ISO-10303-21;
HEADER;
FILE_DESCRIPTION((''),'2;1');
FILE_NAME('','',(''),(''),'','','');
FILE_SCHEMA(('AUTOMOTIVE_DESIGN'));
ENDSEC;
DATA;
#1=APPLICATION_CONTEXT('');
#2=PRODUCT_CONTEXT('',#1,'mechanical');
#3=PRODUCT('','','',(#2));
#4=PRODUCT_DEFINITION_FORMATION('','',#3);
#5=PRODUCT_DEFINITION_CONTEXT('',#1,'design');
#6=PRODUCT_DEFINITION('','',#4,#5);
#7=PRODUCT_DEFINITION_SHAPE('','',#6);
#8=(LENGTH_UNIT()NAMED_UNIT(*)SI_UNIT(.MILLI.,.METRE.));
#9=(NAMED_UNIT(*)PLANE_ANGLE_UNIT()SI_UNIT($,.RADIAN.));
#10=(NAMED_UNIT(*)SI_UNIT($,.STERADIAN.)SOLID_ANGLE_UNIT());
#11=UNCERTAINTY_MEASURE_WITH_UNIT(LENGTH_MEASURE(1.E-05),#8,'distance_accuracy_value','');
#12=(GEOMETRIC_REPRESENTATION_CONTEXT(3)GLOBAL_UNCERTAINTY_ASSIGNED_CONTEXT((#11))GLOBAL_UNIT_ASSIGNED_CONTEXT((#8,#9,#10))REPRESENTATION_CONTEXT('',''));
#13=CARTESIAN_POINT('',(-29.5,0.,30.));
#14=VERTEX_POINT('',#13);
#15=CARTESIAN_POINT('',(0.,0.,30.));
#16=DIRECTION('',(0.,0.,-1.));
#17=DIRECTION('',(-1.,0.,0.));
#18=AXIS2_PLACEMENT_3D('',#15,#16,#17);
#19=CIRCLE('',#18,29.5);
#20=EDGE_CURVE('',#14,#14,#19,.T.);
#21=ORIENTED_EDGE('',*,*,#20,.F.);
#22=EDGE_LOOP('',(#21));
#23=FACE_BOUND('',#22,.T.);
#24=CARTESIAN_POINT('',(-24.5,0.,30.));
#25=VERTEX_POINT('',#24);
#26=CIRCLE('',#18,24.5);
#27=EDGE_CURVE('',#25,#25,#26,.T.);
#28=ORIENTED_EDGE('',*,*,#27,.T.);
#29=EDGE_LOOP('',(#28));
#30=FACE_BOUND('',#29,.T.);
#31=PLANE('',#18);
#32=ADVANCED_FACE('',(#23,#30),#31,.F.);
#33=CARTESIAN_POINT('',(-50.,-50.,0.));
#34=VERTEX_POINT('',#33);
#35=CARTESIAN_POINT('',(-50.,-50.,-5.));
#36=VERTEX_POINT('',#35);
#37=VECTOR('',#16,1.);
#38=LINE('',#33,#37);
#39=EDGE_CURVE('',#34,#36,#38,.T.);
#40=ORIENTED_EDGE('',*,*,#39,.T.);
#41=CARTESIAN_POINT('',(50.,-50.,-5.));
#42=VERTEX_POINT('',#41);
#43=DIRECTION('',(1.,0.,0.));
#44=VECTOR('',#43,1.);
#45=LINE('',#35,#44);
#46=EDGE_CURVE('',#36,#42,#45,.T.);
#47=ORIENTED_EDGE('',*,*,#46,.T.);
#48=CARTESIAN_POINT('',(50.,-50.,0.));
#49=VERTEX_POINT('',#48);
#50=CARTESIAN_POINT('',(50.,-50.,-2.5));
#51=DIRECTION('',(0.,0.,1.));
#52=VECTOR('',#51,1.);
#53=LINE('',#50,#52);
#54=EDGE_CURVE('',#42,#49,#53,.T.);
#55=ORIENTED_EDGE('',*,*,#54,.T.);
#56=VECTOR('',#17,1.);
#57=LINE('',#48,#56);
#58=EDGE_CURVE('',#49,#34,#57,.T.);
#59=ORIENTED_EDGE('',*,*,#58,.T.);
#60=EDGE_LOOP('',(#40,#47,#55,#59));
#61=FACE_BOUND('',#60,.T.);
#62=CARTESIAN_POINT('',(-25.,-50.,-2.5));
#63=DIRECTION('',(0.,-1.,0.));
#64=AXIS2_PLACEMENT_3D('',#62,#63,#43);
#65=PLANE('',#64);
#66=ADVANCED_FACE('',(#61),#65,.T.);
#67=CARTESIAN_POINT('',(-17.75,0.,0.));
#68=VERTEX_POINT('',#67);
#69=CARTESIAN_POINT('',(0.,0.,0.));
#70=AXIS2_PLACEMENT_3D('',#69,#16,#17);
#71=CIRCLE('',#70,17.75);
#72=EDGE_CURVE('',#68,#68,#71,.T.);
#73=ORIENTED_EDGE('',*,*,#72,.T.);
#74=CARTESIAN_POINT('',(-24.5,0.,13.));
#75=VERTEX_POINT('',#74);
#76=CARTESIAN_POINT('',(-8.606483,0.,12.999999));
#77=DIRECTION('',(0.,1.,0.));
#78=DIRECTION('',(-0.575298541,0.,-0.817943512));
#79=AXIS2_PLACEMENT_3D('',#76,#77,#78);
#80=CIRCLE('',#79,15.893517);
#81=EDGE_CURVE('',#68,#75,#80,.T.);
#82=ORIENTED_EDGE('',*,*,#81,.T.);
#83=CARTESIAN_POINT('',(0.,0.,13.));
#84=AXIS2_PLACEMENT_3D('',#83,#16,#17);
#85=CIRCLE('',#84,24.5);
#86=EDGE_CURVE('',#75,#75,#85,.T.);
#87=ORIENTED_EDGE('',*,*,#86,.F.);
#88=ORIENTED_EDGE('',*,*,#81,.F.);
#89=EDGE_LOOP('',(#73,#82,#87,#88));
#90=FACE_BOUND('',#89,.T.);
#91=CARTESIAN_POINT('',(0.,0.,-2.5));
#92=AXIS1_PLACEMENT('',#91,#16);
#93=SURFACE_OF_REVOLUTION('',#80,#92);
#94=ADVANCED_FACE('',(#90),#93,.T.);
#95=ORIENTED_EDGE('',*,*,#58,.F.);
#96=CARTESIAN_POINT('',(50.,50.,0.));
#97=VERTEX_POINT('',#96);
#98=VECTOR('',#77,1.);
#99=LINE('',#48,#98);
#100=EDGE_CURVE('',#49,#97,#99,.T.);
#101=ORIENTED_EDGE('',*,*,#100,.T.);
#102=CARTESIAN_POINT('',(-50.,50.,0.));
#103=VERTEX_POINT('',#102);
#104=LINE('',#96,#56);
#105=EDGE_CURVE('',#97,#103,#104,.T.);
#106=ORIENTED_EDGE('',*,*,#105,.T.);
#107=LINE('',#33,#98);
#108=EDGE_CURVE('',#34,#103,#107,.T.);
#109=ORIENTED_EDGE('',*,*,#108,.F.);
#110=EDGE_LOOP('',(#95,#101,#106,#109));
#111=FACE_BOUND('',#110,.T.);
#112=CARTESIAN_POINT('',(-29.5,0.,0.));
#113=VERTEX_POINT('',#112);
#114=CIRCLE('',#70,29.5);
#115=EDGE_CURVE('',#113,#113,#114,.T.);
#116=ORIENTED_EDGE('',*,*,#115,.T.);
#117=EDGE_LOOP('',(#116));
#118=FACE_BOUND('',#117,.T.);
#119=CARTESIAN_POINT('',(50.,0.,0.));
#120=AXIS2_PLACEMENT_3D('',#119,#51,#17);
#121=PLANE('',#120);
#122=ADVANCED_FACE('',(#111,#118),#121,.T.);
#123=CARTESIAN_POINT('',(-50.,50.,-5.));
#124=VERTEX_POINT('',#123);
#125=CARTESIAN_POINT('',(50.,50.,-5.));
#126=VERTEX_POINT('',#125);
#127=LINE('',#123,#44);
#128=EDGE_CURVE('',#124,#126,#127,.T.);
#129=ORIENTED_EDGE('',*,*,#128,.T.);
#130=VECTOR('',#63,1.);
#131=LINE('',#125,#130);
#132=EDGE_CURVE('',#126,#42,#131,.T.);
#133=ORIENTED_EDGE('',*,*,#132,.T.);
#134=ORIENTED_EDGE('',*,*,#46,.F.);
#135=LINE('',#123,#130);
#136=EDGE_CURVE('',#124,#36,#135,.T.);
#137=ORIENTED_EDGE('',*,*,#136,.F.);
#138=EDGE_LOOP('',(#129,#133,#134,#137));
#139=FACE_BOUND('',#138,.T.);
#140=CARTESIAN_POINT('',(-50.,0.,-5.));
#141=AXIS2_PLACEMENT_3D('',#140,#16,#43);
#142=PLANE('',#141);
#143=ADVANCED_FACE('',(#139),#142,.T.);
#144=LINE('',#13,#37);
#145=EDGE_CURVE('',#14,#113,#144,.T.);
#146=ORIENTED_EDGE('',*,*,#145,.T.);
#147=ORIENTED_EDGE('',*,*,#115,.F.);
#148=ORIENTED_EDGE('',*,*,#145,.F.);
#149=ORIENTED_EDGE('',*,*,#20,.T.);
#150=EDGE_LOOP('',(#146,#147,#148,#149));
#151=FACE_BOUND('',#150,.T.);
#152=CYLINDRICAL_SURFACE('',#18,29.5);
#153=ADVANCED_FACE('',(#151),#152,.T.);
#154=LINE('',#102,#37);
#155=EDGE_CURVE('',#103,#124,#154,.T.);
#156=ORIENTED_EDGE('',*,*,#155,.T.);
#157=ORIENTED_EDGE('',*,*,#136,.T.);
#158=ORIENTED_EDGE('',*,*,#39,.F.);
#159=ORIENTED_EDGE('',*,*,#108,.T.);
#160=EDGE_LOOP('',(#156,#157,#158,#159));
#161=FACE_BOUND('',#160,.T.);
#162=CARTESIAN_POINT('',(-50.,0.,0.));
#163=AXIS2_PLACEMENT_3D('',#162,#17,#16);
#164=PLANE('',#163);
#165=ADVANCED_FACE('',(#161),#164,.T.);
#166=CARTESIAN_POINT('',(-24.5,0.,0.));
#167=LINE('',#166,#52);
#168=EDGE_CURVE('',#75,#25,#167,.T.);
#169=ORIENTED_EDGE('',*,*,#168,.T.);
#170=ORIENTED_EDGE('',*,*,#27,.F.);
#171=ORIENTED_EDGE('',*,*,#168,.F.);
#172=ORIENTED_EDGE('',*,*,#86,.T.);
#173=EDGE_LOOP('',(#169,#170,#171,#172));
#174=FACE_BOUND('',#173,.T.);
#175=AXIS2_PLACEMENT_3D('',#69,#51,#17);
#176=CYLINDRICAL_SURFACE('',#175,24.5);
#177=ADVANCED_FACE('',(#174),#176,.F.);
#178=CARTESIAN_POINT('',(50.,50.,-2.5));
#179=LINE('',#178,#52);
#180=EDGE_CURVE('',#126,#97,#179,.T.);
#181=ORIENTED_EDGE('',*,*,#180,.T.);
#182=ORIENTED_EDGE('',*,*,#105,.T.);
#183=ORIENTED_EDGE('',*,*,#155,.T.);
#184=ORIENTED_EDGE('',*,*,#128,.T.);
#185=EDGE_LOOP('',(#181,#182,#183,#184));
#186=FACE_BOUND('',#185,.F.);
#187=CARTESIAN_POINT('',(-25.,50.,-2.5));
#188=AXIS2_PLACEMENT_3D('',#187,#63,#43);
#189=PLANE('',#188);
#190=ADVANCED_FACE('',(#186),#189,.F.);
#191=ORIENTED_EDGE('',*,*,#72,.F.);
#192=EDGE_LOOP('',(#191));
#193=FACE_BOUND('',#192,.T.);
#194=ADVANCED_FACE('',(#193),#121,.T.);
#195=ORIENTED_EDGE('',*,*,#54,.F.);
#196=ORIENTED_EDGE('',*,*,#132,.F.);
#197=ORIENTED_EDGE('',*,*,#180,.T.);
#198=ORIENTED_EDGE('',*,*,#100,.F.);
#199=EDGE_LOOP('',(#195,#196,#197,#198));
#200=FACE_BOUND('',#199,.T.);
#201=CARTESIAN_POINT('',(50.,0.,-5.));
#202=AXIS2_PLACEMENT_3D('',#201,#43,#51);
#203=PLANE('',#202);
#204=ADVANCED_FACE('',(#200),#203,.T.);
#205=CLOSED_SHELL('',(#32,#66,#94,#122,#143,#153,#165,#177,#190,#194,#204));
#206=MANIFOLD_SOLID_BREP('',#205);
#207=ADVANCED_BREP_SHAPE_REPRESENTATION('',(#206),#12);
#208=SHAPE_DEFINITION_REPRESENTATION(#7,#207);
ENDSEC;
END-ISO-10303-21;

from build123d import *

# Parameters (mm, degrees)
F0_W     = 50
F0_H     = 5
F2_DEPTH = 50


with BuildPart() as f1:
    # F0 (on Front) → F1 (revolve)
    with BuildSketch(Plane.XZ):
        Polygon((-29.5, 0), (-24.5, 0), (-24.5, 13), (-24.5, 30), (-29.5, 30), align=None)
        with BuildLine():
            Line((-24.5, 0), (-17.75, 0))
            ThreePointArc((-17.75, 0), (-22.711917, 5.676024), (-24.5, 13))
            Line((-24.5, 13), (-24.5, 0))
        make_face()
    revolve(axis=Axis((0, 0, -2.5), (0, 0, -1)))

    # F0 (on Front) → F2 (join, symmetric)
    with BuildSketch(Plane.XZ):
        Polygon((0, -5), (0, 0), (-17.75, 0), (-24.5, 0), (-29.5, 0), (-50, 0), (-50, -5), align=None)
        with Locations((25, -2.5)):
            Rectangle(F0_W, F0_H)
    extrude(amount=F2_DEPTH, both=True)


with BuildPart() as f3_1:
    # F3: copy of F1
    add(f1.part)


solid = f1.part
